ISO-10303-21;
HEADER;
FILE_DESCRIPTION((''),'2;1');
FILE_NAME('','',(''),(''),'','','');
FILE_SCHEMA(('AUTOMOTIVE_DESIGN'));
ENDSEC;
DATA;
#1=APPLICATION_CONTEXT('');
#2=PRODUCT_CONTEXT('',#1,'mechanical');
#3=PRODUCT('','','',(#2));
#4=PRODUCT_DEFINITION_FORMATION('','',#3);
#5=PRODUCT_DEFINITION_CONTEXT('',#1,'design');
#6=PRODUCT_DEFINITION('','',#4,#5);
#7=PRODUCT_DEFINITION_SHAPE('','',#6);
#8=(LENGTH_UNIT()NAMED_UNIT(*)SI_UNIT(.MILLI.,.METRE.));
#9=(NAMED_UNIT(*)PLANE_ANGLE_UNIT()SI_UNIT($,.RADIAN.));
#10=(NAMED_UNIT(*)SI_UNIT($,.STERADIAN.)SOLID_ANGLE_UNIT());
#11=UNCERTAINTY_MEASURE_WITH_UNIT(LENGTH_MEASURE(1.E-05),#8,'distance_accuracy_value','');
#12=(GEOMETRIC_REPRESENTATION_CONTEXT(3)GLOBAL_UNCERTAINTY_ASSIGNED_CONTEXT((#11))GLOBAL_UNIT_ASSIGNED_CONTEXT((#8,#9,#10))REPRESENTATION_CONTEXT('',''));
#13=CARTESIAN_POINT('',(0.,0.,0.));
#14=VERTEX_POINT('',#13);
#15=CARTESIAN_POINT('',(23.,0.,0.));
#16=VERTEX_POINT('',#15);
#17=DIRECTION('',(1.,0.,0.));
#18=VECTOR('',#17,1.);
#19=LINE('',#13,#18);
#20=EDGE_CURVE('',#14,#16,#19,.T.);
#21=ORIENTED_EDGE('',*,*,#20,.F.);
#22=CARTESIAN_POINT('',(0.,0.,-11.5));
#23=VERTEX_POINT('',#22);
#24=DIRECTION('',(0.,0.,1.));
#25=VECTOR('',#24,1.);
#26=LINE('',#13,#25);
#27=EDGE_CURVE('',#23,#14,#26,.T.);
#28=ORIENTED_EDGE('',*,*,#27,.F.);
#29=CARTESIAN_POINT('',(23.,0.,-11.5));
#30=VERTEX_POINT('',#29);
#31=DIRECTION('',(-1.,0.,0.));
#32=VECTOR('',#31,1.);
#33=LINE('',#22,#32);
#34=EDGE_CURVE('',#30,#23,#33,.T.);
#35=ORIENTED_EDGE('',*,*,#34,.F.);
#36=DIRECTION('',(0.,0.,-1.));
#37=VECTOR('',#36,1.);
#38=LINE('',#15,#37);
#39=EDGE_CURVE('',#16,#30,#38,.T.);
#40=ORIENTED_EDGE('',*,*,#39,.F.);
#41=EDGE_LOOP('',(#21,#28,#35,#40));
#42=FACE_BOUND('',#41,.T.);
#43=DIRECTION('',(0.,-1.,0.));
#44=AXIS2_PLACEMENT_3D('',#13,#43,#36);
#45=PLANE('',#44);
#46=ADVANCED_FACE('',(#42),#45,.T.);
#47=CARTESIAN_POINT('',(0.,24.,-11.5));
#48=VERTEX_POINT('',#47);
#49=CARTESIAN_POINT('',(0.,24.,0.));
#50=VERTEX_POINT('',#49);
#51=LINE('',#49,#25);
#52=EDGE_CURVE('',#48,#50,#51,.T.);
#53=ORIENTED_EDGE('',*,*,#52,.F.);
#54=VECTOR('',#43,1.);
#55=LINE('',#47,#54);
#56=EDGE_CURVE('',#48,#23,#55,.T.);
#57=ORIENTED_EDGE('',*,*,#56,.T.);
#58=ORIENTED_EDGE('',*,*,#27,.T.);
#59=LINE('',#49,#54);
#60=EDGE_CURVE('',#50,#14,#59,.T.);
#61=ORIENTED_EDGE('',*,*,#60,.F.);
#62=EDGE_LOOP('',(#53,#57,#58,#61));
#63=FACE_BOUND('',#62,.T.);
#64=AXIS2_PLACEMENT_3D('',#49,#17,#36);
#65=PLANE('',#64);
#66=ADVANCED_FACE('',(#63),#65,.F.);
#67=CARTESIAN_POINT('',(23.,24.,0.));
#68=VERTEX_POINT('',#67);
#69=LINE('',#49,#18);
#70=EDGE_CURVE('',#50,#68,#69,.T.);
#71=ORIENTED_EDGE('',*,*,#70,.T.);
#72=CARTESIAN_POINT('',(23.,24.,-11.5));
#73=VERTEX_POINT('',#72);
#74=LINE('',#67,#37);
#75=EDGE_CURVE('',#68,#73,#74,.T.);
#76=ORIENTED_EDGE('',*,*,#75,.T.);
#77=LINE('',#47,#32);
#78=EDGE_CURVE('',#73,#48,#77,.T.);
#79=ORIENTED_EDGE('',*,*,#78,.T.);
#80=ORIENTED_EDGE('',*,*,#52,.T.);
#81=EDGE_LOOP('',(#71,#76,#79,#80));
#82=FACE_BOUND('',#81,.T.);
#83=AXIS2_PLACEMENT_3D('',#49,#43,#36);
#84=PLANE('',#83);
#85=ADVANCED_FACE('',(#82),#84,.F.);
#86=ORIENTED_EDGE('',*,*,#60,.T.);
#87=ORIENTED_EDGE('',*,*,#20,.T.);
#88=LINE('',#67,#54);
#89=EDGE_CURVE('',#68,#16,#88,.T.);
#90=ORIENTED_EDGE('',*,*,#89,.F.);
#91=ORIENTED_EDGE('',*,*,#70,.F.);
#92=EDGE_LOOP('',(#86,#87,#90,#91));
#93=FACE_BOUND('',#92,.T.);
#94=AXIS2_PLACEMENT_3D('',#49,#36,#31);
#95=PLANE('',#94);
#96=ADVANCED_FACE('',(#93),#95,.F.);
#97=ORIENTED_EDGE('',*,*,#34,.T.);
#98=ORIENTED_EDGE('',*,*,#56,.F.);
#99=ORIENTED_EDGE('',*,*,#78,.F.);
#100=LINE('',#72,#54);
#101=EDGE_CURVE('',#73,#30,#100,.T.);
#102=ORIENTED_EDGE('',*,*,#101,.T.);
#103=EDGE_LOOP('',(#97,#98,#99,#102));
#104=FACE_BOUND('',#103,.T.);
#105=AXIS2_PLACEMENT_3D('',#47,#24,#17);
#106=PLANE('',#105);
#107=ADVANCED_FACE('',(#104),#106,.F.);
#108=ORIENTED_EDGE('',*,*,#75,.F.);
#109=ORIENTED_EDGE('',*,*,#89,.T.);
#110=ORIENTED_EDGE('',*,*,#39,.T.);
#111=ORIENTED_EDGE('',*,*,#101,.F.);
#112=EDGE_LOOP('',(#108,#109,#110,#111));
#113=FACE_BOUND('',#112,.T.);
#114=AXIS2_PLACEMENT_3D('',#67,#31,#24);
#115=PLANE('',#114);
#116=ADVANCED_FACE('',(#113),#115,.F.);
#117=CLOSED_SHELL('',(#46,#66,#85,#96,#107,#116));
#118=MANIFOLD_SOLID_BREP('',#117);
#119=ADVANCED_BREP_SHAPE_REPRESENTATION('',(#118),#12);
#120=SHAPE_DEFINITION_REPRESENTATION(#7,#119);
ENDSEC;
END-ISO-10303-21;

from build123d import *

# Parameters (mm, degrees)
SKETCH1_W           = 23
SKETCH1_H           = 11.5
BOSS_EXTRUDE1_DEPTH = 24


with BuildPart() as part:
    # Sketch1 → Boss-Extrude1 (new body)
    with BuildSketch(Plane(origin=(0, 0, 0), x_dir=(1, 0, 0), z_dir=(0, 1, 0))):
        with Locations((11.5, 5.75)):
            Rectangle(SKETCH1_W, SKETCH1_H)
    extrude(amount=BOSS_EXTRUDE1_DEPTH)


solid = part.part
